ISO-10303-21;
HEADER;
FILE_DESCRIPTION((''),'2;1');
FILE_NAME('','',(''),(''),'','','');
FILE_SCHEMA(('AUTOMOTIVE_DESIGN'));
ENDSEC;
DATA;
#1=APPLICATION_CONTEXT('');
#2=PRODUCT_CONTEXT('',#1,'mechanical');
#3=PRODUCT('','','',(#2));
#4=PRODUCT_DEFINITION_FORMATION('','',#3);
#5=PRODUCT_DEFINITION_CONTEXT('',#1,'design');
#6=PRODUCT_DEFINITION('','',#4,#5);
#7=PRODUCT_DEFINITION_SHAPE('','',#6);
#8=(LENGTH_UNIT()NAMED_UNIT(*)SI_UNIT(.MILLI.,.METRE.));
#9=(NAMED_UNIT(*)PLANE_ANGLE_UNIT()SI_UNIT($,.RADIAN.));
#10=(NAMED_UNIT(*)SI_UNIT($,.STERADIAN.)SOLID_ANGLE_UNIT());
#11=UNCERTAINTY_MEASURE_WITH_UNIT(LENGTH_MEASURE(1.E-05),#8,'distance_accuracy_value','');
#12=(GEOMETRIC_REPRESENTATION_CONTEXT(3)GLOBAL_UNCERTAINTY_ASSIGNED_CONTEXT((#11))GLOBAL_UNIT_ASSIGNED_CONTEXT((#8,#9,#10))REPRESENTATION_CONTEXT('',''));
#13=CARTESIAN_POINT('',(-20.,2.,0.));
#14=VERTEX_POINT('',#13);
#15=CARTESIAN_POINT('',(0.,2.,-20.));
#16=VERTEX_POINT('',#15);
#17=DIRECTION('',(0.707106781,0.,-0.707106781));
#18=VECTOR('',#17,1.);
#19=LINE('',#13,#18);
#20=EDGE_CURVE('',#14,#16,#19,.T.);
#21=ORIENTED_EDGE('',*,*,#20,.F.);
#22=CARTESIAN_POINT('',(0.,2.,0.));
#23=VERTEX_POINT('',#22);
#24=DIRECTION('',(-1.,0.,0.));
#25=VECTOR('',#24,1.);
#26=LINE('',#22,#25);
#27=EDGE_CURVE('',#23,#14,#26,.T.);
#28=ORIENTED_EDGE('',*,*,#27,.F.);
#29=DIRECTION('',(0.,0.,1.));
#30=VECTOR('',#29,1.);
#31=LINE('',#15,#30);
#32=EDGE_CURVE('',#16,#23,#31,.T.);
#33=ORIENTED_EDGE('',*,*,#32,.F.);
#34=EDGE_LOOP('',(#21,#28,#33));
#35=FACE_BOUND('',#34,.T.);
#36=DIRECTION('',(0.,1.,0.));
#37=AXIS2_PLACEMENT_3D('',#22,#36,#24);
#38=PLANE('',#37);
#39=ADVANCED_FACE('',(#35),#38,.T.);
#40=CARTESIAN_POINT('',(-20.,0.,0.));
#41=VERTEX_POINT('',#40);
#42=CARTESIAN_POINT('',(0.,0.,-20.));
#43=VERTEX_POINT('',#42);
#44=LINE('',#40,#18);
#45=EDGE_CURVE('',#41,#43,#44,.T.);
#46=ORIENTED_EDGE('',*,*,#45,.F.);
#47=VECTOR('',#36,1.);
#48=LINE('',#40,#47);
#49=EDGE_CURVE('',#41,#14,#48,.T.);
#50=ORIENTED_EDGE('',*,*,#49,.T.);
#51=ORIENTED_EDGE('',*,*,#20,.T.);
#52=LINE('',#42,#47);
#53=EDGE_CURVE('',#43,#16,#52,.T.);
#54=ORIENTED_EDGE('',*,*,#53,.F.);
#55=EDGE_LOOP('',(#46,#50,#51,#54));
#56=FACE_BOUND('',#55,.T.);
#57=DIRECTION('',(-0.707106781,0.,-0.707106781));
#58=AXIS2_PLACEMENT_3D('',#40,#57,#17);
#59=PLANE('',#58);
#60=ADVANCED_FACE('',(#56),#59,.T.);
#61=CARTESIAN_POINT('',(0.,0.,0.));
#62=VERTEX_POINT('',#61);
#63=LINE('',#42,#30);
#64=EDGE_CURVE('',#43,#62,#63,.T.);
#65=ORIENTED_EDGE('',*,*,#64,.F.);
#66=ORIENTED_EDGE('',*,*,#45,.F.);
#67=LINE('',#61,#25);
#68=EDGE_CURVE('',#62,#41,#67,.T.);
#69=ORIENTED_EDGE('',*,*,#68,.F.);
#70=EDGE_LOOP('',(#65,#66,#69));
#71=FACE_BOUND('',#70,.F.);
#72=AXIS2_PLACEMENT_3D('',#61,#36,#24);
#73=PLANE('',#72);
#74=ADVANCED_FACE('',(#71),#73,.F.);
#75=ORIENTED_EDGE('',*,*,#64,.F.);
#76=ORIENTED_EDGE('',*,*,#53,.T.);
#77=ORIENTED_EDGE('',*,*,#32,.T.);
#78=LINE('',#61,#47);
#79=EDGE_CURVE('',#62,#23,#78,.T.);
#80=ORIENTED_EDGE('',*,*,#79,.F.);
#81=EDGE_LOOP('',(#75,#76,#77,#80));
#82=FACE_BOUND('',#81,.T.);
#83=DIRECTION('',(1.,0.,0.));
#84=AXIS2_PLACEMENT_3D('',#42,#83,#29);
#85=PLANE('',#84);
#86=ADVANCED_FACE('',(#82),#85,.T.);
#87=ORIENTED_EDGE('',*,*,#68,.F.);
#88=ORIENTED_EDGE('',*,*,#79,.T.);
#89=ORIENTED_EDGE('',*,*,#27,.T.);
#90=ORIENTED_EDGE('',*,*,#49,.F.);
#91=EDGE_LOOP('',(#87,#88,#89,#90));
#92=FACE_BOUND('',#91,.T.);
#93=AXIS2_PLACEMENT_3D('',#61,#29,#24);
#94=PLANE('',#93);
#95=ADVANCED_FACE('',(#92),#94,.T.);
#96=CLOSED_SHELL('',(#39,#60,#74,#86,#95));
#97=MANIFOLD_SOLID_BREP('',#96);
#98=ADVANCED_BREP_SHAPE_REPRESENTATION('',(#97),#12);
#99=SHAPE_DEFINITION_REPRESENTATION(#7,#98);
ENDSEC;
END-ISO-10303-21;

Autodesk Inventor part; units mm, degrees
ref_plane "YZ Plane" through (0, 0, 0) normal (1, 0, 0) x (0, 1, 0)
ref_plane "XZ Plane" through (0, 0, 0) normal (0, 1, 0) x (-1, 0, 0)
ref_plane "XY Plane" through (0, 0, 0) normal (0, 0, 1) x (1, 0, 0)
sketch "Szkic1" plane through (0, 0, 0) normal (0, 1, 0) x (-1, 0, 0)
  line L0 (0, 0) -> (20, 0)
  line L1 (0, -20) -> (0, 0)
  line L2 (20, 0) -> (0, -20)
  dimension "d2" = 20
  dimension "d3" = 20
  dimension "d4" = 45
extrude "Wyciągnięcie proste1" add sketch "Szkic1" along normal blind 2
equation "\"PromieńGięcia\" = Grubość"
equation "\"SzerokośćGięciaPodcięcia\" = Grubość"
equation "\"GłębokośćGięciaPodcięcia\" = 0.5 * Grubość"
equation "\"RozmiarPodcięciaNarożnika\" = 4 * Grubość"
equation "\"MinimalnaPozostałość\" = 2 * Grubość"
equation "\"PromieńPrzejścia\" = PromieńGięcia"
equation "\"Rozmiar_promienia_Jacobiego\" = Grubość"
equation "\"Wielk_odstępu\" = Grubość"
equation "\"Grubość\" = 0.5"
properties part number "wspornik"
